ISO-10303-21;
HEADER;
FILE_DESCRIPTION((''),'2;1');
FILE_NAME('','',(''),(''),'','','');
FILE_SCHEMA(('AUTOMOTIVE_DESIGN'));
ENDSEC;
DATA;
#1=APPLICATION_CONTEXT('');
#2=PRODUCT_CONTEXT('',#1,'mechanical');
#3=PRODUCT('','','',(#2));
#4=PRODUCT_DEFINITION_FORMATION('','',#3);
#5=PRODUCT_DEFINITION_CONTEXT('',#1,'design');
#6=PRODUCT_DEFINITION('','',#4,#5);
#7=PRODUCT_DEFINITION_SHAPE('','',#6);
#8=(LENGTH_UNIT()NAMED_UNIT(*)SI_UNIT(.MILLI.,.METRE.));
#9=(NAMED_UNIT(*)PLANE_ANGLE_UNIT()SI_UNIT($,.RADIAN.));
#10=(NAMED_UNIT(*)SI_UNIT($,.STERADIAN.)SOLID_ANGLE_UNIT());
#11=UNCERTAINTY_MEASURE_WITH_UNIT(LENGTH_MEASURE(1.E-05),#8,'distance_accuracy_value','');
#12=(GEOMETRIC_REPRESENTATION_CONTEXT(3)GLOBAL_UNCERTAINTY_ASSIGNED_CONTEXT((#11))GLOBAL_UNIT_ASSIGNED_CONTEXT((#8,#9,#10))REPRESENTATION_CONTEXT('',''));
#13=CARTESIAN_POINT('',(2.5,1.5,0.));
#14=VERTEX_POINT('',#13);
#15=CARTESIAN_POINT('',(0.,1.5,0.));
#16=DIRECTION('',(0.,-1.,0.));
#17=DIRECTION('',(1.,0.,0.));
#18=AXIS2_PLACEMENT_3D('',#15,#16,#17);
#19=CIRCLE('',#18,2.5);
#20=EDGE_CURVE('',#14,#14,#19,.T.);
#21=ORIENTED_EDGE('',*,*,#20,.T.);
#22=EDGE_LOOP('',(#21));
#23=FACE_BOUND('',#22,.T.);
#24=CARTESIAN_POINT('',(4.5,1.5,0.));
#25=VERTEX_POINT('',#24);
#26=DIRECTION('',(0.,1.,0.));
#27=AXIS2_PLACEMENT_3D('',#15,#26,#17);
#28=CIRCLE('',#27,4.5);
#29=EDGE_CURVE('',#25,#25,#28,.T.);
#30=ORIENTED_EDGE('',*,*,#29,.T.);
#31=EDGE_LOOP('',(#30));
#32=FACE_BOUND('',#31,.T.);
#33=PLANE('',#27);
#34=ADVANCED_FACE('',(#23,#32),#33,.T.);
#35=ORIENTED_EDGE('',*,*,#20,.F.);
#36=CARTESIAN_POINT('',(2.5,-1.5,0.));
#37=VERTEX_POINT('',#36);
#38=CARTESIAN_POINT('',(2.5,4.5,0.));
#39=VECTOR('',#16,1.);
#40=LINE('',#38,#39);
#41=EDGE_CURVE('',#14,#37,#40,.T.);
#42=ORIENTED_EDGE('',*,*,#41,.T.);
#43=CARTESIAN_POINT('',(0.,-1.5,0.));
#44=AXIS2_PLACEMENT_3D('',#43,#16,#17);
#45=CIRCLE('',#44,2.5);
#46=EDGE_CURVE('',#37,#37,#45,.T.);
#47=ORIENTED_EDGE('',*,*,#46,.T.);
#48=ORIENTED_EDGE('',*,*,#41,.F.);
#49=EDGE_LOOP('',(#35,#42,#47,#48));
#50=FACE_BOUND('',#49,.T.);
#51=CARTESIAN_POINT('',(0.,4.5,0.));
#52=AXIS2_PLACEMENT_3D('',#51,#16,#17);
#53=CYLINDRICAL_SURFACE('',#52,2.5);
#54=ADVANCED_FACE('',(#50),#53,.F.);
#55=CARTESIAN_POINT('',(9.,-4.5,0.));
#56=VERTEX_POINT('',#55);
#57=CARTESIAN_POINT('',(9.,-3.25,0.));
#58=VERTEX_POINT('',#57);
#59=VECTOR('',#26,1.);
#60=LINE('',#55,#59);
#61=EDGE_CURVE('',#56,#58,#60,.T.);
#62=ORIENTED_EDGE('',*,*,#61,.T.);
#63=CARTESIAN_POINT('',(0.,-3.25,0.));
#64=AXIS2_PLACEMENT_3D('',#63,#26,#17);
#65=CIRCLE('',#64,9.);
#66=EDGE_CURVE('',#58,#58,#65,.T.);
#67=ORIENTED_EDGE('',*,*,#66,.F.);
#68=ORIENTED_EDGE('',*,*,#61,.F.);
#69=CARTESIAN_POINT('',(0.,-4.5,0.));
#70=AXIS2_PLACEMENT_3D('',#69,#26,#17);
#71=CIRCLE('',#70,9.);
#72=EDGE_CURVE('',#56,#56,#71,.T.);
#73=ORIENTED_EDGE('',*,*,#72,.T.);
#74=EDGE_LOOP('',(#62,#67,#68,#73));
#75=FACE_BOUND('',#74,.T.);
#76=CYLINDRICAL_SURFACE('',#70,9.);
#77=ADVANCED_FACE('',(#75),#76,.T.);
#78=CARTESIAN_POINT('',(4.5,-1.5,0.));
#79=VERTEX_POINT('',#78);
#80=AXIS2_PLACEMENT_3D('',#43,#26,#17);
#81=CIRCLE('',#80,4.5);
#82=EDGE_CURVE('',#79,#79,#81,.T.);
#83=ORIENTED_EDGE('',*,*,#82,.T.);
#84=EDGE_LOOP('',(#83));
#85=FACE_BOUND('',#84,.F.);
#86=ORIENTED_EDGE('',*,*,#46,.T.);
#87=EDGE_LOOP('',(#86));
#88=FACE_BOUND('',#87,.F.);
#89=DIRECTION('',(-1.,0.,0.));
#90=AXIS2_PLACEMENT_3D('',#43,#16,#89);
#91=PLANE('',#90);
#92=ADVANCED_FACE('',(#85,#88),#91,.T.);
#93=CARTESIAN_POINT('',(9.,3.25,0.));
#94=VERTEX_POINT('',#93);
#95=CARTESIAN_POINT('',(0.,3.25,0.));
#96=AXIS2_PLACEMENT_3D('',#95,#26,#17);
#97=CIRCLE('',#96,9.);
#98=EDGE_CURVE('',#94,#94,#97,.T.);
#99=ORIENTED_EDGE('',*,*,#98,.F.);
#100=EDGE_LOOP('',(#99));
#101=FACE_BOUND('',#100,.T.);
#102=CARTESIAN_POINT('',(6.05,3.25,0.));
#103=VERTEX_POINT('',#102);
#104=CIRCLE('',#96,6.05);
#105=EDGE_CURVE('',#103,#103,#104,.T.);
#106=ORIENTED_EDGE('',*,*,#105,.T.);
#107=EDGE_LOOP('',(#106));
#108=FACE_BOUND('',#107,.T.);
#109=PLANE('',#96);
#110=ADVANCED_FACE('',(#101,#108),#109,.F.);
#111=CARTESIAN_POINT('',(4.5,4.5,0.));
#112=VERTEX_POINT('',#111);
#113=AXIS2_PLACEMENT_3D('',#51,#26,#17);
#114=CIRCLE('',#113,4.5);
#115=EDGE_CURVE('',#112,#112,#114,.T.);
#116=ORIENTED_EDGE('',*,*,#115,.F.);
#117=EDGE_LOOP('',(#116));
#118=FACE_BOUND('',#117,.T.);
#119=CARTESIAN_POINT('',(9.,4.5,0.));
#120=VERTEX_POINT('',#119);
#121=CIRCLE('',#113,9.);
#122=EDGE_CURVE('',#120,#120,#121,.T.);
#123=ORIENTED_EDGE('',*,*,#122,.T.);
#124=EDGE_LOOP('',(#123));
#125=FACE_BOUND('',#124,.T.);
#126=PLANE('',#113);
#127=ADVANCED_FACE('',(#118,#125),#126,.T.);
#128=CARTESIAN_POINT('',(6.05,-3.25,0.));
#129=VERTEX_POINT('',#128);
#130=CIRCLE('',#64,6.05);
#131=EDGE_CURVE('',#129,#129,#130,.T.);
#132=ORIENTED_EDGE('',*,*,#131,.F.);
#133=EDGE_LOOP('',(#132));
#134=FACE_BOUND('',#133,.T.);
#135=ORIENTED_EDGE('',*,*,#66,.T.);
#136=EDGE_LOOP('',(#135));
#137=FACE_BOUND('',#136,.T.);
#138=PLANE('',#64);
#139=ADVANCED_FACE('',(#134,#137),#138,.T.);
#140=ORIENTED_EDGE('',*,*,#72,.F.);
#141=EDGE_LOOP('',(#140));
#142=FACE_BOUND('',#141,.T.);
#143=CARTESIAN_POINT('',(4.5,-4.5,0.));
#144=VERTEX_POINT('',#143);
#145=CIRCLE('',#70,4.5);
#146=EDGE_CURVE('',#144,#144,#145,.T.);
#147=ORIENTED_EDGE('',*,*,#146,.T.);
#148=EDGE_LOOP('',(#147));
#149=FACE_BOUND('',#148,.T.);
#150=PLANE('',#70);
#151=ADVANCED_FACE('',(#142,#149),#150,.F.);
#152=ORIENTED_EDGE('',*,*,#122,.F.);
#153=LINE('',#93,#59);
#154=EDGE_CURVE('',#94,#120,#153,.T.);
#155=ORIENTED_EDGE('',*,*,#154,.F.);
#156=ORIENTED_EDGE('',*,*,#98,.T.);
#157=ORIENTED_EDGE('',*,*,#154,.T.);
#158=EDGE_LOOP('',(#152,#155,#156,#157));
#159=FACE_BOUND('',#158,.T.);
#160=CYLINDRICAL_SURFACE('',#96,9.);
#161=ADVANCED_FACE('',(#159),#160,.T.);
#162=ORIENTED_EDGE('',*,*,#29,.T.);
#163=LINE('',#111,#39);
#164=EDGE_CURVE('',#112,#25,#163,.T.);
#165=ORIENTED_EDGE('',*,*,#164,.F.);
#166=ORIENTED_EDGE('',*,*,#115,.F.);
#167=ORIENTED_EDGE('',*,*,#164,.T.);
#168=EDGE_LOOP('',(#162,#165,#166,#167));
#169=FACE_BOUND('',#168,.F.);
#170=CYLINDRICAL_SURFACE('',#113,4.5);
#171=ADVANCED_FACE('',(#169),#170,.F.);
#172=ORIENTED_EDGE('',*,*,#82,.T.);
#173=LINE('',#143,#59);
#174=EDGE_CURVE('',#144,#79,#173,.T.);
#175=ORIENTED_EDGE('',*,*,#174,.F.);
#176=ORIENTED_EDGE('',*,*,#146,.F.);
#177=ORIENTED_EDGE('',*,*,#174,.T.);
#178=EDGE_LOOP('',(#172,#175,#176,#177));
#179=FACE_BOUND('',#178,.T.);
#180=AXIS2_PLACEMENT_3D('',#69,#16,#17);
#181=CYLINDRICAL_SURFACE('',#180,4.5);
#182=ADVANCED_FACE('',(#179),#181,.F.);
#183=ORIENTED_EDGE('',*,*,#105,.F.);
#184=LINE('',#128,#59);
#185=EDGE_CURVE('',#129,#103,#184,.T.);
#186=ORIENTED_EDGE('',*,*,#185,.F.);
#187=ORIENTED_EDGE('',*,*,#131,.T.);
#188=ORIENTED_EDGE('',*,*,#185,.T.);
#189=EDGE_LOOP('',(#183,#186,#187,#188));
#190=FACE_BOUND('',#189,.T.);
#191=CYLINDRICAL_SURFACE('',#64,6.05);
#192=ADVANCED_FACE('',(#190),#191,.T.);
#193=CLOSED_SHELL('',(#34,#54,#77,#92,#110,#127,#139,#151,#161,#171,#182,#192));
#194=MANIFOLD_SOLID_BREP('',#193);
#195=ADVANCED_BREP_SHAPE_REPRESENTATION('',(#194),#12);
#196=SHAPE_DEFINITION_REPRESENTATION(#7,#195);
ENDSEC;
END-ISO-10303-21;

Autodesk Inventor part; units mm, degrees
ref_plane "YZ Plane" through (0, 0, 0) normal (1, 0, 0) x (0, 1, 0)
ref_plane "XZ Plane" through (0, 0, 0) normal (0, 1, 0) x (-1, 0, 0)
ref_plane "XY Plane" through (0, 0, 0) normal (0, 0, 1) x (1, 0, 0)
sketch "Sketch1" plane through (0, 0, 0) normal (0, 0, 1) x (1, 0, 0)
  line L0 (0, 0) -> (2.5, 0) construction
  line L1 (2.5, 4.5) -> (2.5, -4.5)
  line L2 (2.5, -4.5) -> (9, -4.5)
  line L3 (9, -4.5) -> (9, -3.25)
  line L4 (9, -3.25) -> (6.05, -3.25)
  line L5 (6.05, -3.25) -> (6.05, 3.25)
  line L6 (6.05, 3.25) -> (9, 3.25)
  line L7 (9, 3.25) -> (9, 4.5)
  line L8 (9, 4.5) -> (2.5, 4.5)
  line L9 (0, -6.3) -> (0, 6.3) projected
  dimension "d0" = 2.5
  dimension "d1" = 6.5
  dimension "d2" = 9
  dimension "d3" = 9
  dimension "d4" = 6.05
revolve "Revolution1" add sketch "Sketch1" angle 360 about axis through (0, -10, 0) along (0, 1, 0)
sketch "Sketch2" plane through (0, 4.5, 0) normal (0, 1, 0) x (1, 0, 0)
  circle A0 centre (0, 0) radius 4.5
  dimension "d6" = 9
extrude "Extrusion1" cut sketch "Sketch2" against normal blind 3
mirror "Mirror1" about plane through (0, 0, 0) normal (0, 1, 0) of "Extrusion1"
properties part number "Idler Pulley" material "Aluminum 6061"
